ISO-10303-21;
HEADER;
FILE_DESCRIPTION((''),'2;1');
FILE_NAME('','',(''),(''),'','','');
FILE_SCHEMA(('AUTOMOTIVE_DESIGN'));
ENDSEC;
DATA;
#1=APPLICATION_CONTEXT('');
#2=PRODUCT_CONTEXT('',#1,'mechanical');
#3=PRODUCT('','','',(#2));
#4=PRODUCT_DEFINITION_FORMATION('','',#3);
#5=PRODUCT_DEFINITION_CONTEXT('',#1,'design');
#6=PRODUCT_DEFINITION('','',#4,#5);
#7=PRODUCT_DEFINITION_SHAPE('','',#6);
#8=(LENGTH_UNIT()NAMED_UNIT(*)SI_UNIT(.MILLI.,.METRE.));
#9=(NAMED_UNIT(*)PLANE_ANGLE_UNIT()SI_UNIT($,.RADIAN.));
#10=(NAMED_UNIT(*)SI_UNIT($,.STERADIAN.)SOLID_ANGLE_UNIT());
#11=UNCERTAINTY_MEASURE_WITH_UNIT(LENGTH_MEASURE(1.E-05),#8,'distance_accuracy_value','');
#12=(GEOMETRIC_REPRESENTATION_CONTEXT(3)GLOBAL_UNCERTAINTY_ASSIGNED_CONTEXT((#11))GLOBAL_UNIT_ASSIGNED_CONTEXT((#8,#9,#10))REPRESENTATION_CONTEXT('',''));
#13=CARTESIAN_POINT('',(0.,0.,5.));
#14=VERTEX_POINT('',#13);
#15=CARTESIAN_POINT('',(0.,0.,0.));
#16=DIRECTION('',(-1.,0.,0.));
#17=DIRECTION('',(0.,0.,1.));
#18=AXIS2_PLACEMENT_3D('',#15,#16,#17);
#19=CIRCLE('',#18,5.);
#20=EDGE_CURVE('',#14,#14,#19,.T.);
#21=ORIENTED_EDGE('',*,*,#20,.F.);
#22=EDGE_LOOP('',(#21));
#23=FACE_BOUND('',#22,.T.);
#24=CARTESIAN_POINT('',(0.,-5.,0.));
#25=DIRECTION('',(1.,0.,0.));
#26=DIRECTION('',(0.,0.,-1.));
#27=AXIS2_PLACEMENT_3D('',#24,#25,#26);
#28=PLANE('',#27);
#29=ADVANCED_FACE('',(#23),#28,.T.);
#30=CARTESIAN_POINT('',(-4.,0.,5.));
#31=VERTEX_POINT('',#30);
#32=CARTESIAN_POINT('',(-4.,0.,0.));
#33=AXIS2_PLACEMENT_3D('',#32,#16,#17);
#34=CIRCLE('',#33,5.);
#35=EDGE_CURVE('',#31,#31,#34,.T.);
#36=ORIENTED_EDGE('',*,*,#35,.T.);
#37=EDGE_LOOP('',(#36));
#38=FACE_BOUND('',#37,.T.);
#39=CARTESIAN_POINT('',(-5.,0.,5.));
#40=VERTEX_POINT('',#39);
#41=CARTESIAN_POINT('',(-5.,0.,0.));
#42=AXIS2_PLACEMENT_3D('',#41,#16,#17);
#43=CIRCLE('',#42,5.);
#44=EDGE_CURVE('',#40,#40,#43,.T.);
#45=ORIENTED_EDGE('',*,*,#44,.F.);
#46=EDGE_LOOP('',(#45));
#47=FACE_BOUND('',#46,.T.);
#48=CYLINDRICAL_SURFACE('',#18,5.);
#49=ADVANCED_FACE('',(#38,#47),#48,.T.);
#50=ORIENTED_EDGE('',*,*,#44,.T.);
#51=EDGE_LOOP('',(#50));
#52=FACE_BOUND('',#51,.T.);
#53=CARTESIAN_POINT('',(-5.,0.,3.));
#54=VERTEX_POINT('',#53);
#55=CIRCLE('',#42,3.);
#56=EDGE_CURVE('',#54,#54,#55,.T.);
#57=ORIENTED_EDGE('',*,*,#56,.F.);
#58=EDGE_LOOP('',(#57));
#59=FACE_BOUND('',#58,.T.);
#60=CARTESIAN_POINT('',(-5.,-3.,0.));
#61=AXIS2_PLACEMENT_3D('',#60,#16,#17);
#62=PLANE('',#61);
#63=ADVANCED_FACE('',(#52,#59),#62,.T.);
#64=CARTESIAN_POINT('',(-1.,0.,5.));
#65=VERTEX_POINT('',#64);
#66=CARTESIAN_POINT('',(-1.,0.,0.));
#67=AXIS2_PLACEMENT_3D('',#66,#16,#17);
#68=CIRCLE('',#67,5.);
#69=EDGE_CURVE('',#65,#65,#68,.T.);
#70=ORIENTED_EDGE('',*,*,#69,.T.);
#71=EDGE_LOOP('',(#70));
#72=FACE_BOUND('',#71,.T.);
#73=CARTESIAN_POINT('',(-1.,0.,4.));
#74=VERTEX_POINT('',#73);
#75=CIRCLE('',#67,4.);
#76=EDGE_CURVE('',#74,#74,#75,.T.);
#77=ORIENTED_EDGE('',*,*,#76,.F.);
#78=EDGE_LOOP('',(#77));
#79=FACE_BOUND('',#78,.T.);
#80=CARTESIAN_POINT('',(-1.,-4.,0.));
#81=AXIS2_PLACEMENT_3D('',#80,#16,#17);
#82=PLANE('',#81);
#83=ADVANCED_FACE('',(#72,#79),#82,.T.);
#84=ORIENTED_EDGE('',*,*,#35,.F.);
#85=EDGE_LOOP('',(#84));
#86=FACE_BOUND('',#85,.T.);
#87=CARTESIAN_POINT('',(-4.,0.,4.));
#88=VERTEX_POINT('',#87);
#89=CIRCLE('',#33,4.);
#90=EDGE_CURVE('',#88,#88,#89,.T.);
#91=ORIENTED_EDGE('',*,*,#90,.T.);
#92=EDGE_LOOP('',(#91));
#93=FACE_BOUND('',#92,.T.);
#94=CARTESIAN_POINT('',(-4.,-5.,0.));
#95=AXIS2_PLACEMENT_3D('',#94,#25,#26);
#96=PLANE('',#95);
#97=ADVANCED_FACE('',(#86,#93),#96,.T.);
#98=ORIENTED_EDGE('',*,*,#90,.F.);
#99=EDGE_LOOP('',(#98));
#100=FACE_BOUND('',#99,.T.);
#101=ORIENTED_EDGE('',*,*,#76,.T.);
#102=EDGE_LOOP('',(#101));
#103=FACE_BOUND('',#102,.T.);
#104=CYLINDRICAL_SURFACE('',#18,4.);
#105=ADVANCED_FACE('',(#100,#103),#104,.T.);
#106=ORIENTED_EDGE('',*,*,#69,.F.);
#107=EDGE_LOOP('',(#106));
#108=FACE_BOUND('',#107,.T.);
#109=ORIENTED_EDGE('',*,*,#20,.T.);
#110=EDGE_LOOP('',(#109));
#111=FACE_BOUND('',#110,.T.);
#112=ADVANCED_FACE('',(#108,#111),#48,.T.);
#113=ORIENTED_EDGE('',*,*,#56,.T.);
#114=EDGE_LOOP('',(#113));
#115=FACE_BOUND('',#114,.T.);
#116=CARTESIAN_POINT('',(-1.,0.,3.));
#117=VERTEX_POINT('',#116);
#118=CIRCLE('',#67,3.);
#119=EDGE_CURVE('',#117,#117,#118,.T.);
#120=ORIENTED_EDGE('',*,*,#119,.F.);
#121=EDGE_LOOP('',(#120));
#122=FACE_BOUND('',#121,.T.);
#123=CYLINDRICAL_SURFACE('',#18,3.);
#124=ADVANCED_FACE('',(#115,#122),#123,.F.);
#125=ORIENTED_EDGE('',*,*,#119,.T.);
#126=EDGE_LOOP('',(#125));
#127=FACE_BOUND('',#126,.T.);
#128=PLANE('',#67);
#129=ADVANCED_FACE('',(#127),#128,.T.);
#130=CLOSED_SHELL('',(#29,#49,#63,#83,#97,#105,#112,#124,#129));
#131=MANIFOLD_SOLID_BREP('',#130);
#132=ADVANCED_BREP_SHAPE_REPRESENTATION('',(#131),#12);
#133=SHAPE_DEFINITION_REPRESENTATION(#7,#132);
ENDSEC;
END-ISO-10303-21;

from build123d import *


with BuildPart() as part:
    # Esquisse1 → Révolution1 (revolve)
    with BuildSketch(Plane.XY, mode=Mode.PRIVATE) as r_volution1_sk:
        Polygon((-4, -5), (-4, -4), (-1, -4), (-1, -5), (0, -5), (0, 0), (-1, 0), (-1, -3), (-5, -3), (-5, -5), align=None)
    revolve(r_volution1_sk.sketch.rotate(Axis((0, 0, 0), (1, 0, 0)), 270), axis=Axis((0, 0, 0), (1, 0, 0)))


solid = part.part
